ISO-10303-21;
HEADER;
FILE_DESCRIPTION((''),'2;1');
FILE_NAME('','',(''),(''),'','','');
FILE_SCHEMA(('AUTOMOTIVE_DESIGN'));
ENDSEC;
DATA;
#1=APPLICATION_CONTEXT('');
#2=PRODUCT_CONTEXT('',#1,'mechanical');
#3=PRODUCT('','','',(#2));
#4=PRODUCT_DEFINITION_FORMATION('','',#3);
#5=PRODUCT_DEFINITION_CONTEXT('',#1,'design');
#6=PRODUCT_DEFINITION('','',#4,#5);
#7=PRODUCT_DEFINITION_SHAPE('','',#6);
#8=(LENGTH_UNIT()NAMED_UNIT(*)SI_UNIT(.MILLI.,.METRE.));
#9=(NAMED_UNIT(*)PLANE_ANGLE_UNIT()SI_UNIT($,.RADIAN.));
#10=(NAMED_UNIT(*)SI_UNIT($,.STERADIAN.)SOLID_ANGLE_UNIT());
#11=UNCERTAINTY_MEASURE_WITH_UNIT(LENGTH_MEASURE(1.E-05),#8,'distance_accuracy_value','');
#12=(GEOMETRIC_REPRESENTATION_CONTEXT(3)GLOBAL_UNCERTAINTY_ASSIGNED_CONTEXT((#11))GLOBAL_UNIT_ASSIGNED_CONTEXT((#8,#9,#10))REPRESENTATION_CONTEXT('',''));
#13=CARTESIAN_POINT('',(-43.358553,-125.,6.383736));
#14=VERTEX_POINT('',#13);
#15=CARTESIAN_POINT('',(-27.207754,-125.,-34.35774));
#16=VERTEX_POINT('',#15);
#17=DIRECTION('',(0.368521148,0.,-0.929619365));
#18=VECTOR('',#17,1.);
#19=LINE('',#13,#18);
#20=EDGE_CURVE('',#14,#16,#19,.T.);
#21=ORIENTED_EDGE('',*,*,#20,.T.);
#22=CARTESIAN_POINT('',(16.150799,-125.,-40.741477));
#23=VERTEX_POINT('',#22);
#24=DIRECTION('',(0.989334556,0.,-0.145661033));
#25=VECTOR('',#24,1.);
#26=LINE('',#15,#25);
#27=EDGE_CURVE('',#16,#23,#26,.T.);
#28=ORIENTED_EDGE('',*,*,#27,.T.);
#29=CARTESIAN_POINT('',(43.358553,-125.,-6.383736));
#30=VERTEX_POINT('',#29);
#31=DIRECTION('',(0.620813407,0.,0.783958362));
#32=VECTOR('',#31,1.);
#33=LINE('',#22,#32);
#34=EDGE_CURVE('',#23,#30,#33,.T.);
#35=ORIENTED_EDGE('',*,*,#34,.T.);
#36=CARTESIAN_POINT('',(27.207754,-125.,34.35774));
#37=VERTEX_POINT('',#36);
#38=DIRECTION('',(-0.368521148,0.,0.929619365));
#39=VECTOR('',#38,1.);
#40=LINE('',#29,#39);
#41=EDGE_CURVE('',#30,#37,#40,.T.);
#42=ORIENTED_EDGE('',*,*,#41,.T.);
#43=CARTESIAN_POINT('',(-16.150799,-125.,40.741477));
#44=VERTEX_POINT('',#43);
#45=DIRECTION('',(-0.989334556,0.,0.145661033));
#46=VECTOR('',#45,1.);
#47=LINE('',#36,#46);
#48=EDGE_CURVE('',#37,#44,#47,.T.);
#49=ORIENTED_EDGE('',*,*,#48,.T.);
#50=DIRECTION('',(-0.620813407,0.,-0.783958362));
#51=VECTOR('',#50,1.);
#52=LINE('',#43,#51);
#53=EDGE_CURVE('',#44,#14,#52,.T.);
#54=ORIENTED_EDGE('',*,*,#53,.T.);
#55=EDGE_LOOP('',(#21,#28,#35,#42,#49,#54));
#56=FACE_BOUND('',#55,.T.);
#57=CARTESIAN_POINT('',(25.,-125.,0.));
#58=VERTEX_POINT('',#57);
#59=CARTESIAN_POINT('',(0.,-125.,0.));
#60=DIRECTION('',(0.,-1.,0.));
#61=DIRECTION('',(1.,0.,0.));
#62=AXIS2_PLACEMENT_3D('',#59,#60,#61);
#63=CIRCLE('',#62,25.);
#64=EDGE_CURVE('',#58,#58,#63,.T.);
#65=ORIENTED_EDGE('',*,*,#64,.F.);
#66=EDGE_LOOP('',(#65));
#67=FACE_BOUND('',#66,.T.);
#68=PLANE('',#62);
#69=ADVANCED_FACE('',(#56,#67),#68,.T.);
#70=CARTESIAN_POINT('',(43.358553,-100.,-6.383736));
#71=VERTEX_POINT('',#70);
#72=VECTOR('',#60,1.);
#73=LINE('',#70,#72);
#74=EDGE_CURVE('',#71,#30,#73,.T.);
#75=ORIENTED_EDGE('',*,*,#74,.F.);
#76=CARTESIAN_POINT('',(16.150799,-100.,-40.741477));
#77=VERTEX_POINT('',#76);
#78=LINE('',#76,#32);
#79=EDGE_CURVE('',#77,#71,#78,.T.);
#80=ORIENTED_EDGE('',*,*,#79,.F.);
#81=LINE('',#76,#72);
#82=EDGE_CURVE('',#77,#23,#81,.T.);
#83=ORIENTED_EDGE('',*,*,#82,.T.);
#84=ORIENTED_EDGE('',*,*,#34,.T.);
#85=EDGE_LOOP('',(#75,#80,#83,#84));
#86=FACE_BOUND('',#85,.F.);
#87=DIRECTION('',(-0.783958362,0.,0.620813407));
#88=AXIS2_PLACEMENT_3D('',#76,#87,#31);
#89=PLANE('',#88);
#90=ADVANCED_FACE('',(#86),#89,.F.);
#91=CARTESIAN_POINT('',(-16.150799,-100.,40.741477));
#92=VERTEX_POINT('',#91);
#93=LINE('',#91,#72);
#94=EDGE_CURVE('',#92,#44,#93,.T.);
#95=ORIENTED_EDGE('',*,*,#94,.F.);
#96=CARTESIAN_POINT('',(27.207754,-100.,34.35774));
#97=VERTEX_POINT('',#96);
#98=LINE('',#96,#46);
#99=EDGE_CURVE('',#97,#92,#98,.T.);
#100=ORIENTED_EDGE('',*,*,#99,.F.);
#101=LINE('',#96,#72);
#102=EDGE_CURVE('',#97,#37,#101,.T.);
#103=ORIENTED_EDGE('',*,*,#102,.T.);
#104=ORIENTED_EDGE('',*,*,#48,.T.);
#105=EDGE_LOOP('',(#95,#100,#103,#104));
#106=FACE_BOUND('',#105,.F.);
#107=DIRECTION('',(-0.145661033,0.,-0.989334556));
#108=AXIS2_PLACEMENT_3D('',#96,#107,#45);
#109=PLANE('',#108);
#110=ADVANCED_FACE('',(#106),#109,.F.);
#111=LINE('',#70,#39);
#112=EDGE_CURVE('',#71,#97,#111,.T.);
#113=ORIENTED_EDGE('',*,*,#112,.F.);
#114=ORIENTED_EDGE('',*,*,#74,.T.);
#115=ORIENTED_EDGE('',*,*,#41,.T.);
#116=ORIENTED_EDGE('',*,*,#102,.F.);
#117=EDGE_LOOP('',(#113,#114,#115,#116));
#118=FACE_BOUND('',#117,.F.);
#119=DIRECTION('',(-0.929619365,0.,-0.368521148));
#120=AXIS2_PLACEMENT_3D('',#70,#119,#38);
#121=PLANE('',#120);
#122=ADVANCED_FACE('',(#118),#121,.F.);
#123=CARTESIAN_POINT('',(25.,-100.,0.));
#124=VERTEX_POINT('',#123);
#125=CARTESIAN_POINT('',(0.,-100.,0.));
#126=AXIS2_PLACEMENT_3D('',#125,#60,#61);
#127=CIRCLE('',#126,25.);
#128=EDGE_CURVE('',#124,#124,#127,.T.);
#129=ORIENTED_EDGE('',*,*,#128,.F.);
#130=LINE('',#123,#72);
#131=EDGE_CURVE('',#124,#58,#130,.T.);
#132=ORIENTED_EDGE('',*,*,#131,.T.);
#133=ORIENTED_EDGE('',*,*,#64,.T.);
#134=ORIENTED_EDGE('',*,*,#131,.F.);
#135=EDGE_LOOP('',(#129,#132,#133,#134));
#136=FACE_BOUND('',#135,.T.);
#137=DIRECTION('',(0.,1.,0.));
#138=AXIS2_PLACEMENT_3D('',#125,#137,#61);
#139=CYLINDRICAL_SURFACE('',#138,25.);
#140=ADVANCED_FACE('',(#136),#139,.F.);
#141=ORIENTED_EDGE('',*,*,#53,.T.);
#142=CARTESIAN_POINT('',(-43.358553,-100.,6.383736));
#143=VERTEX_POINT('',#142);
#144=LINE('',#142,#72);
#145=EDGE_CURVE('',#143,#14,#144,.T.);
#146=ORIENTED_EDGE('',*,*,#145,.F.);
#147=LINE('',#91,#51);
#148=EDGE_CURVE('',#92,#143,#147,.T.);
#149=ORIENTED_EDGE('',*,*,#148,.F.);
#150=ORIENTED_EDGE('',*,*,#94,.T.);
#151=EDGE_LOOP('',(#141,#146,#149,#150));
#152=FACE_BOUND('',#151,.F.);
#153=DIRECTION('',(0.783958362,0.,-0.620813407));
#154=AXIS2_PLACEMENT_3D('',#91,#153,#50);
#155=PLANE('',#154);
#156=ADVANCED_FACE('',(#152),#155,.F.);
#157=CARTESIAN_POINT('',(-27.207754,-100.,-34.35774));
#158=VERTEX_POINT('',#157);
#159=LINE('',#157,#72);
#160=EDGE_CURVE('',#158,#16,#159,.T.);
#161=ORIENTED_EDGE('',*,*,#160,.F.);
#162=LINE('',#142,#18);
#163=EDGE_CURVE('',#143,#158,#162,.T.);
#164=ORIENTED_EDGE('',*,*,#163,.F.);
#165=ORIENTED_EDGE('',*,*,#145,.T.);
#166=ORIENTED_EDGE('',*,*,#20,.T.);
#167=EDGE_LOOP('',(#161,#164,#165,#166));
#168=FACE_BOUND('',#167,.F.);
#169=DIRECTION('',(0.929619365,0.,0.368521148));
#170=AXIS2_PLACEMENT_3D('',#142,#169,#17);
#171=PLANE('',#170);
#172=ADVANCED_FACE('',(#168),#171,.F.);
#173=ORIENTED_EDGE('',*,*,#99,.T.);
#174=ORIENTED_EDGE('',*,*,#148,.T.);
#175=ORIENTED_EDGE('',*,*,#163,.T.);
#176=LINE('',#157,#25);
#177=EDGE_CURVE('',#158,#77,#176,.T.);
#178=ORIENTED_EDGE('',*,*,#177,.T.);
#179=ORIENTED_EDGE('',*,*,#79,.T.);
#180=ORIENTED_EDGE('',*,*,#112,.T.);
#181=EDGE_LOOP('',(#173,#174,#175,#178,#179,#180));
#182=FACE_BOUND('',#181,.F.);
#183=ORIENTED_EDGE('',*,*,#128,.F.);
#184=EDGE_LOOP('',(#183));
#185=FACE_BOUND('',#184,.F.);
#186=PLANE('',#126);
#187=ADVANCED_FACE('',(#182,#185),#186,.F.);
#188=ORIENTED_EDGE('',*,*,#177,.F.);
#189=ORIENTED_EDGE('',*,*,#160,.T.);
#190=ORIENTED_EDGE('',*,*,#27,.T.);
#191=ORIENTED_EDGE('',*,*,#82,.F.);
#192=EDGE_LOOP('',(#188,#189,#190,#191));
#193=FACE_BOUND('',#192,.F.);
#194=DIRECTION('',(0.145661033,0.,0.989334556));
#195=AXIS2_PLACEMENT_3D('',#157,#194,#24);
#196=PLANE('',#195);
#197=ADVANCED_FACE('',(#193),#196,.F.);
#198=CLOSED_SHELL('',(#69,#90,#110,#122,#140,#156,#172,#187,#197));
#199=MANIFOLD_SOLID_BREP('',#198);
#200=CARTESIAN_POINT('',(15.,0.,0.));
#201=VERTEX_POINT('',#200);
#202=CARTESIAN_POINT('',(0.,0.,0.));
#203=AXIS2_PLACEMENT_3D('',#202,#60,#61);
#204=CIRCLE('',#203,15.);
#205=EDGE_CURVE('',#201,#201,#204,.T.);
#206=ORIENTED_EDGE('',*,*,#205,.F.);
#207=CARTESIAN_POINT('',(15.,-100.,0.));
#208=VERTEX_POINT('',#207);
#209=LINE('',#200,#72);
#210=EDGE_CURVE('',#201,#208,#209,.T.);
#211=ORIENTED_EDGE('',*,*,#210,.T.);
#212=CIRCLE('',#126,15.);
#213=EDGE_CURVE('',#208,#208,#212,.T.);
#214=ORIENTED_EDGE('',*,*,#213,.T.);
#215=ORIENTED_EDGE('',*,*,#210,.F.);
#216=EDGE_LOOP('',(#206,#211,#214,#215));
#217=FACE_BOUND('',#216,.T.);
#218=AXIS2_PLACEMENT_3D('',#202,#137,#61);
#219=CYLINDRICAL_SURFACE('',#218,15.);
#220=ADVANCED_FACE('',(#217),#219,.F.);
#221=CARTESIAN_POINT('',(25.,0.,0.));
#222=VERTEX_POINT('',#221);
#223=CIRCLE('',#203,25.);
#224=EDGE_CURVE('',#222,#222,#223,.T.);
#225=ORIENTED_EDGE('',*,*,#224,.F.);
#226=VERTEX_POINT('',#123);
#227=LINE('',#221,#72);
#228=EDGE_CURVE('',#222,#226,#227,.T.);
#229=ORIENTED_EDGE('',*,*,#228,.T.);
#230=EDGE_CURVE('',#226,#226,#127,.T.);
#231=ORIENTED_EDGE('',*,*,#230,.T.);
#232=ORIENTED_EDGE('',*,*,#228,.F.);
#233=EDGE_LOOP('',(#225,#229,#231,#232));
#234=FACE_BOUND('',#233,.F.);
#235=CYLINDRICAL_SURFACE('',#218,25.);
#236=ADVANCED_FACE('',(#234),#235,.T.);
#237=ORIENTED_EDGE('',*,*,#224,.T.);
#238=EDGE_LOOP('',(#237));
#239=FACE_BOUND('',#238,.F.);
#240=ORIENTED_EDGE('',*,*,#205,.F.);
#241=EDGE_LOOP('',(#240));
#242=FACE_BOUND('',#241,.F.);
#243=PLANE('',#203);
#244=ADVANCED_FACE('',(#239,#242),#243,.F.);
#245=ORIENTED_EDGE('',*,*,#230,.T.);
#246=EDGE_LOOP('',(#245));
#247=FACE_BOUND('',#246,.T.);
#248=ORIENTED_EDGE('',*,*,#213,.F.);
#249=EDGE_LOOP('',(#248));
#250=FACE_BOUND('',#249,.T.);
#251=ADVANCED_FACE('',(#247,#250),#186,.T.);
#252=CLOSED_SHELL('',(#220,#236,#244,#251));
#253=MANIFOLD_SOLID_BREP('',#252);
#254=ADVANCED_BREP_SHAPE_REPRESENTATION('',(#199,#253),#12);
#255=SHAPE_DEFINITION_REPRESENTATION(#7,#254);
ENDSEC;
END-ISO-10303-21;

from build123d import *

# Parameters (mm, degrees)
F0_R     = 25
F0_R_2   = 15
F1_DEPTH = 100
F2_R     = 25
F3_DEPTH = 25


with BuildPart() as f1:
    # F0 (on Front) → F1 (new body)
    with BuildSketch(Plane.XZ):
        Circle(F0_R)
        Circle(F0_R_2, mode=Mode.SUBTRACT)
    extrude(amount=F1_DEPTH)


with BuildPart() as f3:
    # F2 (on face) → F3 (new body)
    with BuildSketch(Plane.XZ.offset(100)):
        Polygon((16.150799, -40.741477), (43.358553, -6.383736), (27.207754, 34.35774), (-16.150799, 40.741477), (-43.358553, 6.383736), (-27.207754, -34.35774), align=None)
        Circle(F2_R, mode=Mode.SUBTRACT)
    extrude(amount=F3_DEPTH)


solid = Compound([f1.part, f3.part])
